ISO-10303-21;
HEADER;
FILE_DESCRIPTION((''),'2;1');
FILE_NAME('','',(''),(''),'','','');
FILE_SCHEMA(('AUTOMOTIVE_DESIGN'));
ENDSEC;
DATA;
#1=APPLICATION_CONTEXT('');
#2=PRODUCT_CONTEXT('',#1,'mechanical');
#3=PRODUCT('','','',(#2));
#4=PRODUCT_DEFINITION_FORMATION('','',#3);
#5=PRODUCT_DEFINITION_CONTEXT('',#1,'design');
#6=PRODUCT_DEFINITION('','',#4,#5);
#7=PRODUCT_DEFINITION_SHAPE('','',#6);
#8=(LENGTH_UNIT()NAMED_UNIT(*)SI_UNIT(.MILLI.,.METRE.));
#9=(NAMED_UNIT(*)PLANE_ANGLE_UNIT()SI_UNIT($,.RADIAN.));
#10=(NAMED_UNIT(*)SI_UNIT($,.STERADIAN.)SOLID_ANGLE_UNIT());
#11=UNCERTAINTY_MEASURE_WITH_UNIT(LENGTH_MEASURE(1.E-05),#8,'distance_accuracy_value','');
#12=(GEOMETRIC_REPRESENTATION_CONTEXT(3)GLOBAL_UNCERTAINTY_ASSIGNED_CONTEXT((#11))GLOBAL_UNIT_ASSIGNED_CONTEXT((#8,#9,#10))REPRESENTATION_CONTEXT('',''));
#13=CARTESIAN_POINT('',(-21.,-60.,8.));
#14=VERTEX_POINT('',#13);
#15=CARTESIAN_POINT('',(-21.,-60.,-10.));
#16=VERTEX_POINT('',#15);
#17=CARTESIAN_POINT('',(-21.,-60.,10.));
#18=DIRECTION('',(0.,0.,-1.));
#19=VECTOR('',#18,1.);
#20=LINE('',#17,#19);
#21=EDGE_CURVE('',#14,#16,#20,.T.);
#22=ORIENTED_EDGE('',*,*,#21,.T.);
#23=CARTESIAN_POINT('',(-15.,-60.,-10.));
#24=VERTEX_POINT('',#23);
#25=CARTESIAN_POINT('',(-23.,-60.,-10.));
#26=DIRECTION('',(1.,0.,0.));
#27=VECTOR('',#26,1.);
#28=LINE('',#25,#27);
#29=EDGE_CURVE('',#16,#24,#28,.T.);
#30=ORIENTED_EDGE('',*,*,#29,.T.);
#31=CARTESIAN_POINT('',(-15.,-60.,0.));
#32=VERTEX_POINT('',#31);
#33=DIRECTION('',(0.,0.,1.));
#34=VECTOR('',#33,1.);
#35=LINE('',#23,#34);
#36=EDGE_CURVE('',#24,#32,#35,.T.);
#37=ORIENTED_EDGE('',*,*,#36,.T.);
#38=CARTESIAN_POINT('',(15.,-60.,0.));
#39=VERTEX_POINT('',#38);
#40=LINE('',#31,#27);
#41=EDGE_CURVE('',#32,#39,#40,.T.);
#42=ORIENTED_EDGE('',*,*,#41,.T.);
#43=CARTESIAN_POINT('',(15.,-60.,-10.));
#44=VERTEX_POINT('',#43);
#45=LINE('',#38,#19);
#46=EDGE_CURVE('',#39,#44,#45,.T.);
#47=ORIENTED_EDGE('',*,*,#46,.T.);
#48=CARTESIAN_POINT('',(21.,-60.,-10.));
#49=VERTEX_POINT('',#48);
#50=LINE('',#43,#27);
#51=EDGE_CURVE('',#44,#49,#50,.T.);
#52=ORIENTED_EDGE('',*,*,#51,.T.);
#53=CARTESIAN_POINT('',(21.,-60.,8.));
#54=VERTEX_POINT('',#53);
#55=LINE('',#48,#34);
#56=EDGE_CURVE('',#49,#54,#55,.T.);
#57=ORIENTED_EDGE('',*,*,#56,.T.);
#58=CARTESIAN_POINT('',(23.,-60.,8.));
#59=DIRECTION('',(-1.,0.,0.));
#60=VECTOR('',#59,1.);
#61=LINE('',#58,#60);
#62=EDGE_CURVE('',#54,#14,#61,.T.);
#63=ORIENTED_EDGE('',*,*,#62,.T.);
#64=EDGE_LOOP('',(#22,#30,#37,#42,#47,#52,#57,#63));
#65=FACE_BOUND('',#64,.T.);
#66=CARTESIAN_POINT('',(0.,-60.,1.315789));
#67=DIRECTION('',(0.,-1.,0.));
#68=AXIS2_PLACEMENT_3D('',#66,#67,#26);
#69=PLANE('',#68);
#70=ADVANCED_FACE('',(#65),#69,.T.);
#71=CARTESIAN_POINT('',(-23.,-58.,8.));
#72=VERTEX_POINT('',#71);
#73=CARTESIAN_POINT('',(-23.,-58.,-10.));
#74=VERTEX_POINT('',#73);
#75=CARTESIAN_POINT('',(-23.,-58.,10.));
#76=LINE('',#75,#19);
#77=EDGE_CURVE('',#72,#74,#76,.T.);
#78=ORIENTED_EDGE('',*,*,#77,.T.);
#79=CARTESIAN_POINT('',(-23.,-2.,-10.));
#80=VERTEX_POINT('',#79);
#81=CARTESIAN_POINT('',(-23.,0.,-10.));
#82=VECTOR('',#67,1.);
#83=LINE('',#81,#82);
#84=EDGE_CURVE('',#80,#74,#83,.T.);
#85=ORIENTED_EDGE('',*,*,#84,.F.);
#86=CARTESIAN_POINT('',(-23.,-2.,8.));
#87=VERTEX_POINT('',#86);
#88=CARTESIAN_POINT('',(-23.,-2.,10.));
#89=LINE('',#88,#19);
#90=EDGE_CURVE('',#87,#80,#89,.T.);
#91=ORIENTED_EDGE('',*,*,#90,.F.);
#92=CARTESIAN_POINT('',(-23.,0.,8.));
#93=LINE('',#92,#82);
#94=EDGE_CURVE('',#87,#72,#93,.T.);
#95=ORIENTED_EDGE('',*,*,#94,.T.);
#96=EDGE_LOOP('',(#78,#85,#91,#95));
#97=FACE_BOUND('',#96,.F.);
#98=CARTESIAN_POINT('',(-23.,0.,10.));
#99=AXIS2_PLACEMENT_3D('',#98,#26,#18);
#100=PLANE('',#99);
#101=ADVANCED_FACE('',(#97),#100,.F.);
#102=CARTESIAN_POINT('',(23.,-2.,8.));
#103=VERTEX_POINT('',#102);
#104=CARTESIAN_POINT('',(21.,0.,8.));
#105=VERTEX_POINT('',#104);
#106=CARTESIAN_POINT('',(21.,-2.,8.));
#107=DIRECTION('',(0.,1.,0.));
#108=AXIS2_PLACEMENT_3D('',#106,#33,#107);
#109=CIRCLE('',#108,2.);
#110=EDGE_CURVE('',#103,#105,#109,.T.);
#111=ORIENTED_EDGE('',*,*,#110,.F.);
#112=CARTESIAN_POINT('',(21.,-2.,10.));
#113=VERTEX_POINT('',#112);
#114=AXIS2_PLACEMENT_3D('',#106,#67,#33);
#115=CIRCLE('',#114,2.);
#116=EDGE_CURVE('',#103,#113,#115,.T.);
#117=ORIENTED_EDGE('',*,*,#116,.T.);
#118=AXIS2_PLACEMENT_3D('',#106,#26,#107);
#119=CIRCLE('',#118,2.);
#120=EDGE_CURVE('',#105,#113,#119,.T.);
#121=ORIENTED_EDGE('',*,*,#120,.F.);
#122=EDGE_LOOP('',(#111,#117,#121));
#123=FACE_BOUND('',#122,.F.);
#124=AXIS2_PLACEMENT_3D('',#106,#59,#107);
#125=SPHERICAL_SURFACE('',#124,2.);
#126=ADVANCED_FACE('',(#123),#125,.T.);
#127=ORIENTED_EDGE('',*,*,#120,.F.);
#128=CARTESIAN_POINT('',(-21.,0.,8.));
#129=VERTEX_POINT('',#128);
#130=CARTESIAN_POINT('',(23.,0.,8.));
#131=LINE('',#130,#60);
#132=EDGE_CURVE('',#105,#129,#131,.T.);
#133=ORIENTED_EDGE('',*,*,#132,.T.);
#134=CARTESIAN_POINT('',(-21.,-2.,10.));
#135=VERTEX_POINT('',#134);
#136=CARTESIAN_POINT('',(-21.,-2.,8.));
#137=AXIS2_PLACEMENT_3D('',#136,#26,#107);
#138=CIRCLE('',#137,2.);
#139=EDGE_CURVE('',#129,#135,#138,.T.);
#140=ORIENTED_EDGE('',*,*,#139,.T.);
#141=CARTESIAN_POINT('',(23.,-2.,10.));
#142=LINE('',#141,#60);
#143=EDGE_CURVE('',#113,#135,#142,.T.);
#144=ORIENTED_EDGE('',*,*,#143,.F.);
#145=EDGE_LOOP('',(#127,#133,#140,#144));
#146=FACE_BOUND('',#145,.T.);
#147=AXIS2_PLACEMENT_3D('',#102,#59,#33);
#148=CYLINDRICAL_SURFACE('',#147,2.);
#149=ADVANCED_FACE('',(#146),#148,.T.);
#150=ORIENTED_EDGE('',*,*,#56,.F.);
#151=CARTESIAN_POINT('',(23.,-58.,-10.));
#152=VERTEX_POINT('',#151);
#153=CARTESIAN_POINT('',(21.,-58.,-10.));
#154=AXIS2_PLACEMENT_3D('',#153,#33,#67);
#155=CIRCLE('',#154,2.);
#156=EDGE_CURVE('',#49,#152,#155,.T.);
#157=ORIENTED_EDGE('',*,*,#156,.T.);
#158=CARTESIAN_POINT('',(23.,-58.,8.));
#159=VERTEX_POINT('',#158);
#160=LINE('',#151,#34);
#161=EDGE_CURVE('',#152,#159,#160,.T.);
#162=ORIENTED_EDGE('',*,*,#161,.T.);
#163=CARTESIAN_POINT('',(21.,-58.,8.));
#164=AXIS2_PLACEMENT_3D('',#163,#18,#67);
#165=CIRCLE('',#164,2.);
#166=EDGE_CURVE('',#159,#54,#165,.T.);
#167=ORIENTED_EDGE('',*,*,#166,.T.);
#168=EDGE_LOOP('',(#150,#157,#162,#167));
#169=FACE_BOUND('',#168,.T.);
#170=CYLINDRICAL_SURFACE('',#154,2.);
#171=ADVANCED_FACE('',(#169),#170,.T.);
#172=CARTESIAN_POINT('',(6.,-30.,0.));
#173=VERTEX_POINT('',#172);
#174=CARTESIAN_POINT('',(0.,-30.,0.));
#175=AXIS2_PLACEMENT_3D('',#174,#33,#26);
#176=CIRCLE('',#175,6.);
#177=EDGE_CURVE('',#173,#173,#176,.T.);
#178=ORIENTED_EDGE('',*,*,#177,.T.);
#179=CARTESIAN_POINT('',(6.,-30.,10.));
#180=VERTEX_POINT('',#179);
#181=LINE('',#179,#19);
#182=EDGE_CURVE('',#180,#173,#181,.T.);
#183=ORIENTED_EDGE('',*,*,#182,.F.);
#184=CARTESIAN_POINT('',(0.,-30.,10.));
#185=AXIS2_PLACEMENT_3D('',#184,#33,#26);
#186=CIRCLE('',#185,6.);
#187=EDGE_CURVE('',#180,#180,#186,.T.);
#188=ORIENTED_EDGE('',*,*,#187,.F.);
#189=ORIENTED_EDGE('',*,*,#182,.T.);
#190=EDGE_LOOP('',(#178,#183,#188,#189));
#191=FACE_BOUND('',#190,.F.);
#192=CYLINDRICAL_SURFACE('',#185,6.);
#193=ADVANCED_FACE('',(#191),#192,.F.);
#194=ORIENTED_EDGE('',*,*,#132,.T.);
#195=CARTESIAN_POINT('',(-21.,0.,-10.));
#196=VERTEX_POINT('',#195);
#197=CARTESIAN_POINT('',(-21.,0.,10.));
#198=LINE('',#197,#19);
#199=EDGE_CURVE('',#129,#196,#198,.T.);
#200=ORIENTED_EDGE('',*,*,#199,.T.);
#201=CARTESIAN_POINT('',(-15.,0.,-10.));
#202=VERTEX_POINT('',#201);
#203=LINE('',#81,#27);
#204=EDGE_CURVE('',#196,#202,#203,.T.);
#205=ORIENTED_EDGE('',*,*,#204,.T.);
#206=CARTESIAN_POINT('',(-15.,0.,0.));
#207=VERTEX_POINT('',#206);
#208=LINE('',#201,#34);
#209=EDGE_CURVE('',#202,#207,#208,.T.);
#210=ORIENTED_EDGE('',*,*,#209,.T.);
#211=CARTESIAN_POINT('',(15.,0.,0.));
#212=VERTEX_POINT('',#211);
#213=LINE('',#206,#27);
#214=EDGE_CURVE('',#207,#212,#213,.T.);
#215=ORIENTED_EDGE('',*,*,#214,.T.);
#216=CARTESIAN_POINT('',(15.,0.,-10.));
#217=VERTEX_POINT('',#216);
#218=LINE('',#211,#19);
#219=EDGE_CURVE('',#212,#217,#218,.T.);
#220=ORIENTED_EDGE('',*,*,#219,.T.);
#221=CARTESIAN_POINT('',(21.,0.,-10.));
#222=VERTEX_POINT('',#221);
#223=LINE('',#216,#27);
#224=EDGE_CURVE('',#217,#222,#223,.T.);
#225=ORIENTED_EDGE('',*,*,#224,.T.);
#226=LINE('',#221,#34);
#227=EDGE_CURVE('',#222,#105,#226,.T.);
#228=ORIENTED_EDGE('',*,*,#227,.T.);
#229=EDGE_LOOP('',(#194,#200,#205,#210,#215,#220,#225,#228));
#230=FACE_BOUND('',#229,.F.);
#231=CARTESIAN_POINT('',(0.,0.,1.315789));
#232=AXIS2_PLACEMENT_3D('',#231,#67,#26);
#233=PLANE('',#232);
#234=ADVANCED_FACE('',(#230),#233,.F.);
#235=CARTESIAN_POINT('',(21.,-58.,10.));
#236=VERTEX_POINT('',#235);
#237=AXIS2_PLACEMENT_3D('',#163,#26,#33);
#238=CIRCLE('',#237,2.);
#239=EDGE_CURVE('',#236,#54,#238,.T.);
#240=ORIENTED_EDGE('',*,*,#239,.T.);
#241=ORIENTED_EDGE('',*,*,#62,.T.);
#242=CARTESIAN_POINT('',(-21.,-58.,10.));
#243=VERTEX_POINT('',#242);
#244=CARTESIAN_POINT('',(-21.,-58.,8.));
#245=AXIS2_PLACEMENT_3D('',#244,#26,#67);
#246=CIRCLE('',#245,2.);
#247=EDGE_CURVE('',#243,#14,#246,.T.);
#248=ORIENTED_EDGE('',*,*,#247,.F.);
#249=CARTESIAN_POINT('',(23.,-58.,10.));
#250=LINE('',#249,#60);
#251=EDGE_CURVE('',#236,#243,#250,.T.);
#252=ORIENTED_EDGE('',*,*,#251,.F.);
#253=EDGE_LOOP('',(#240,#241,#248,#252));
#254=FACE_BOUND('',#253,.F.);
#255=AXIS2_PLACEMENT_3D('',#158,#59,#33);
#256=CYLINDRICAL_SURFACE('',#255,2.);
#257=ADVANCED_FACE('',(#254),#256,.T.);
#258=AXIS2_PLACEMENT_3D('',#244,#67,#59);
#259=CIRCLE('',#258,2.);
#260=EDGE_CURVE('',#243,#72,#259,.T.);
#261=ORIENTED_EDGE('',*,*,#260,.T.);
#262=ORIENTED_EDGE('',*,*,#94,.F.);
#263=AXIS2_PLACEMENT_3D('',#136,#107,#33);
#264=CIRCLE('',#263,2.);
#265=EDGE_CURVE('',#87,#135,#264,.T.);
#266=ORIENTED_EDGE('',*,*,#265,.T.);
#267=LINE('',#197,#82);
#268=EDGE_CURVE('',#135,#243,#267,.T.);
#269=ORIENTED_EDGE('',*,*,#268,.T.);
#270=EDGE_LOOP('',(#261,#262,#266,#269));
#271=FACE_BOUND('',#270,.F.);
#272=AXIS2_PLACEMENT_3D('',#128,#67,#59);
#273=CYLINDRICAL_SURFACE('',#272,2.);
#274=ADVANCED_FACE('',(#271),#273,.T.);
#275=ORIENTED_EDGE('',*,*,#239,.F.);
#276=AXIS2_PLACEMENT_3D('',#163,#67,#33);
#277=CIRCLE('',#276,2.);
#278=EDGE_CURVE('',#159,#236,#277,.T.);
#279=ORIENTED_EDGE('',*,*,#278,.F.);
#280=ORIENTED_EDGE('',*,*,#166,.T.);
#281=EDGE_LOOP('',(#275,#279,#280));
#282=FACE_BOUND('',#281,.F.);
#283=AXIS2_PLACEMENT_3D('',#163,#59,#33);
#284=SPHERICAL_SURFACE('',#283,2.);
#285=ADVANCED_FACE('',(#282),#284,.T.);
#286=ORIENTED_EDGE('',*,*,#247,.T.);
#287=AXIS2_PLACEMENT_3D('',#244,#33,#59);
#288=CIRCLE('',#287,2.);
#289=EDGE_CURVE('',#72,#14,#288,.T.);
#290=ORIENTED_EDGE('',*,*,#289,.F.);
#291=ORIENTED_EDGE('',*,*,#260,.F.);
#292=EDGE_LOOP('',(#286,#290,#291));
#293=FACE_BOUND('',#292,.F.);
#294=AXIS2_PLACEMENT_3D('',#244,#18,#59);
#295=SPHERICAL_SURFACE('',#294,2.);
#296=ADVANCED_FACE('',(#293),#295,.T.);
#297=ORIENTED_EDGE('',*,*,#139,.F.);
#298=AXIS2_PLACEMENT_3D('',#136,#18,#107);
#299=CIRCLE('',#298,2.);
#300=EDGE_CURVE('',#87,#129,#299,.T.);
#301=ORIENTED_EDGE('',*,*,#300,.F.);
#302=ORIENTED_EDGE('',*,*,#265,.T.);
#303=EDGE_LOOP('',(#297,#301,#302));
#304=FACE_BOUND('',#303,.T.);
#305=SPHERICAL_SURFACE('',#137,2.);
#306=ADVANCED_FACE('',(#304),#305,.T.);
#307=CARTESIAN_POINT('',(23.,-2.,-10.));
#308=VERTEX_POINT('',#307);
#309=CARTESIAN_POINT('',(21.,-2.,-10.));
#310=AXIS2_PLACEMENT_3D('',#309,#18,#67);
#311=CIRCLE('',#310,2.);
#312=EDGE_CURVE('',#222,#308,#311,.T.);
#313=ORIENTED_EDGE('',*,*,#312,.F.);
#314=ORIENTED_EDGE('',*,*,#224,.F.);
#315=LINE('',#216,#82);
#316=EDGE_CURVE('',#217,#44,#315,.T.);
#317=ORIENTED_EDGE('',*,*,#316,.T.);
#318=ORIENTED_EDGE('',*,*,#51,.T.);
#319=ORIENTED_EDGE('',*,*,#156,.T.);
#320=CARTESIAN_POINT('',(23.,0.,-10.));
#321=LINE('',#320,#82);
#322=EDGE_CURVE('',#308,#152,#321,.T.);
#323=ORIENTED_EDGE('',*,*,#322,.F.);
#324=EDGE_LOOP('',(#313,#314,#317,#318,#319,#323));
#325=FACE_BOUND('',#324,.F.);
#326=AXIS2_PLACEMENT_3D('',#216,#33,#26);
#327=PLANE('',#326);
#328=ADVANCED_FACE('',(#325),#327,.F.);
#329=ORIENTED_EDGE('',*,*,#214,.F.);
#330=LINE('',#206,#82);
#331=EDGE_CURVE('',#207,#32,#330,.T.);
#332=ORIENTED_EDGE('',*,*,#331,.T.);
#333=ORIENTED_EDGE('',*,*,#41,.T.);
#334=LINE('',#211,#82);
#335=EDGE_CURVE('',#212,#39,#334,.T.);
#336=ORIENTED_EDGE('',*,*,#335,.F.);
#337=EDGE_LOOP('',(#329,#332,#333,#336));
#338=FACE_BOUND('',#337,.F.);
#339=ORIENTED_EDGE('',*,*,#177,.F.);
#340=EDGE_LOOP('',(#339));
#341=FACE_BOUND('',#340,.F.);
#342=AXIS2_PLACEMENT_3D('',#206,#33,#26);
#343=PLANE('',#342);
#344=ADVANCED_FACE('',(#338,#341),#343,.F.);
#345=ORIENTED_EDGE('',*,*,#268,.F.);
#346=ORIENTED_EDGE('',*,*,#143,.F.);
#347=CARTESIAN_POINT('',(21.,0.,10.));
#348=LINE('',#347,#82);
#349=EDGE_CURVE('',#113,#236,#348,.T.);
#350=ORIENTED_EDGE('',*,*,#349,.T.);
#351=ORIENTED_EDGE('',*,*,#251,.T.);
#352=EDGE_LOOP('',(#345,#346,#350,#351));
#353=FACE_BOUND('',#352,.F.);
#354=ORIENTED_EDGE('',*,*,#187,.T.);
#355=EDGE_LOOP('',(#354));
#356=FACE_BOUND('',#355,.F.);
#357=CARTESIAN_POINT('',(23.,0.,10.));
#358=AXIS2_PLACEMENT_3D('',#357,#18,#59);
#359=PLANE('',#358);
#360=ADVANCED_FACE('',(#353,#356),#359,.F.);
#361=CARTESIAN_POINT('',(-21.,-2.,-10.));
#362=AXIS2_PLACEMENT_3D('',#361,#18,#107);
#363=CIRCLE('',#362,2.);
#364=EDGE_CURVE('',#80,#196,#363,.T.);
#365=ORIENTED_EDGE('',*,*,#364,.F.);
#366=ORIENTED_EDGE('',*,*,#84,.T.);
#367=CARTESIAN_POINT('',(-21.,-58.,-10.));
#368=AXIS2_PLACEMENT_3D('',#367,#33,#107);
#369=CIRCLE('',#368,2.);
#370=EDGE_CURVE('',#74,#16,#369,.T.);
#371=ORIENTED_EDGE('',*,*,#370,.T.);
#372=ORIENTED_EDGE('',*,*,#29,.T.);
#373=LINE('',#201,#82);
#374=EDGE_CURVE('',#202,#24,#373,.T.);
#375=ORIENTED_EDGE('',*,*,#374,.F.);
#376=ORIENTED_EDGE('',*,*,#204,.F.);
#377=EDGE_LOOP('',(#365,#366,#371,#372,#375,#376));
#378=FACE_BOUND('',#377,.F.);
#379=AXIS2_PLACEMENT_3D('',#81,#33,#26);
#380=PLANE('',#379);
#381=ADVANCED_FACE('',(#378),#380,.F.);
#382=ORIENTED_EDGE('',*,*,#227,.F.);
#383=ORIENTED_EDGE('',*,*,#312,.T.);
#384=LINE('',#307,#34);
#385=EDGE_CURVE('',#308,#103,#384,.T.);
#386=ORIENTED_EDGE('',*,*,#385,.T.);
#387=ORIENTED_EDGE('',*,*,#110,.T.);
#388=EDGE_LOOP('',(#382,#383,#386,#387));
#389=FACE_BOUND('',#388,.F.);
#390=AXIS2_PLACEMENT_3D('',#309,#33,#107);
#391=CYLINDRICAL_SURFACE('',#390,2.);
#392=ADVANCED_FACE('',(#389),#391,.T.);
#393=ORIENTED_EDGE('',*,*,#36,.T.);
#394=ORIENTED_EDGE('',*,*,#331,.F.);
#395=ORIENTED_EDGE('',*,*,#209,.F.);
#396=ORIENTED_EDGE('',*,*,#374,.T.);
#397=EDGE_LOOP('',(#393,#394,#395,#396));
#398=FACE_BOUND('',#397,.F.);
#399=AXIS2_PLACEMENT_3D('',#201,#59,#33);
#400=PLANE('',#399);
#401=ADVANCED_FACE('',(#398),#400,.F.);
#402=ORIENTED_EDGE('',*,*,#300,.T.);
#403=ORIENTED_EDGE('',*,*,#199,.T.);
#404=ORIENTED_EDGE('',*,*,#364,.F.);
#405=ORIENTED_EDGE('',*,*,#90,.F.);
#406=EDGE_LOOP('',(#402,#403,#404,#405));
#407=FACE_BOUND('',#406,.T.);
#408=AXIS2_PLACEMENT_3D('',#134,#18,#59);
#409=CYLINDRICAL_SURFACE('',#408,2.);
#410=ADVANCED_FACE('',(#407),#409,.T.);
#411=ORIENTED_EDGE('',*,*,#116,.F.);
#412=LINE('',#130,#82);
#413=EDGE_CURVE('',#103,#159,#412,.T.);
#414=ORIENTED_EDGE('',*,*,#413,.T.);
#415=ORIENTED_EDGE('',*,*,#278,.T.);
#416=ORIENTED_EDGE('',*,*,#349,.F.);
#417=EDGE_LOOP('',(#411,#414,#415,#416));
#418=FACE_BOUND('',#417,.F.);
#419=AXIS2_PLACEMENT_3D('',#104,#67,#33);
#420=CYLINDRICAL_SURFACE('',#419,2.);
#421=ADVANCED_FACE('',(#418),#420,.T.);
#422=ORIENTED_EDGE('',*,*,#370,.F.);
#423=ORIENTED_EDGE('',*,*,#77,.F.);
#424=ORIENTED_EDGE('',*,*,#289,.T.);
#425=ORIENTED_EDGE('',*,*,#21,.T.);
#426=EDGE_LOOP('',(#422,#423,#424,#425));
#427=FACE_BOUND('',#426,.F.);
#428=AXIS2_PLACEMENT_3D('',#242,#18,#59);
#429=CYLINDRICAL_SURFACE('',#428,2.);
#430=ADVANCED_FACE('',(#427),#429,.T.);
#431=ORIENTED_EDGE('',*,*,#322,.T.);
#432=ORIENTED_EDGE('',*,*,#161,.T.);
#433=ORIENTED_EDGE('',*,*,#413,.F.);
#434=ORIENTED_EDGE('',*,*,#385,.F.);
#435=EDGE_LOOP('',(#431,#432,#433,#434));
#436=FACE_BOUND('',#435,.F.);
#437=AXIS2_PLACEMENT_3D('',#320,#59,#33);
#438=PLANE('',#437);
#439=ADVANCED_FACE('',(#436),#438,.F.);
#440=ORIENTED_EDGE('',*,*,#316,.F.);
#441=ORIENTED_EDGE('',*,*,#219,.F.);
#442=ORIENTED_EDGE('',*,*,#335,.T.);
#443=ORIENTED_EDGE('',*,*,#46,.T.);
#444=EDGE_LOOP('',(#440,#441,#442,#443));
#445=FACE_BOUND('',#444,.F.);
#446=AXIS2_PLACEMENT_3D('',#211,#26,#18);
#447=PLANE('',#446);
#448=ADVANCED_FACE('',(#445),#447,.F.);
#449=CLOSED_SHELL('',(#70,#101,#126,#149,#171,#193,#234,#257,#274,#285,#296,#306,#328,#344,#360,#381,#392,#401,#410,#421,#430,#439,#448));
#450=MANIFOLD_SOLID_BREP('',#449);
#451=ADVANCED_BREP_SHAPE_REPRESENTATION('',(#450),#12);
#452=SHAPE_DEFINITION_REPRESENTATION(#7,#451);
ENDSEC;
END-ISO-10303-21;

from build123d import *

# Parameters (mm, degrees)
F1_DEPTH = 60
F2_R     = 6
F3_DEPTH = 25
F4_R     = 2


with BuildPart() as f1:
    # F0 (on Front) → F1 (new body)
    with BuildSketch(Plane.XZ):
        Polygon((-23, 10), (-23, -10), (-15, -10), (-15, 0), (15, 0), (15, -10), (23, -10), (23, 10), align=None)
    extrude(amount=F1_DEPTH)

    # F2 (on face) → F3 (cut)
    with BuildSketch(Plane.XY.offset(10)):
        with Locations((0, -30)):
            Circle(F2_R)
    extrude(amount=-F3_DEPTH, mode=Mode.SUBTRACT)

    # F4
    f4_edges = [f1.edges().sort_by_distance(p)[0] for p in [
        (0, 0, 10),
        (23, 0, 0),
        (-23, 0, 0),
        (-23, -60, 0),
        (-23, -30, 10),
        (0, -60, 10),
        (23, -30, 10),
        (23, -60, 0),
    ]]
    fillet(f4_edges, radius=F4_R)


solid = f1.part
